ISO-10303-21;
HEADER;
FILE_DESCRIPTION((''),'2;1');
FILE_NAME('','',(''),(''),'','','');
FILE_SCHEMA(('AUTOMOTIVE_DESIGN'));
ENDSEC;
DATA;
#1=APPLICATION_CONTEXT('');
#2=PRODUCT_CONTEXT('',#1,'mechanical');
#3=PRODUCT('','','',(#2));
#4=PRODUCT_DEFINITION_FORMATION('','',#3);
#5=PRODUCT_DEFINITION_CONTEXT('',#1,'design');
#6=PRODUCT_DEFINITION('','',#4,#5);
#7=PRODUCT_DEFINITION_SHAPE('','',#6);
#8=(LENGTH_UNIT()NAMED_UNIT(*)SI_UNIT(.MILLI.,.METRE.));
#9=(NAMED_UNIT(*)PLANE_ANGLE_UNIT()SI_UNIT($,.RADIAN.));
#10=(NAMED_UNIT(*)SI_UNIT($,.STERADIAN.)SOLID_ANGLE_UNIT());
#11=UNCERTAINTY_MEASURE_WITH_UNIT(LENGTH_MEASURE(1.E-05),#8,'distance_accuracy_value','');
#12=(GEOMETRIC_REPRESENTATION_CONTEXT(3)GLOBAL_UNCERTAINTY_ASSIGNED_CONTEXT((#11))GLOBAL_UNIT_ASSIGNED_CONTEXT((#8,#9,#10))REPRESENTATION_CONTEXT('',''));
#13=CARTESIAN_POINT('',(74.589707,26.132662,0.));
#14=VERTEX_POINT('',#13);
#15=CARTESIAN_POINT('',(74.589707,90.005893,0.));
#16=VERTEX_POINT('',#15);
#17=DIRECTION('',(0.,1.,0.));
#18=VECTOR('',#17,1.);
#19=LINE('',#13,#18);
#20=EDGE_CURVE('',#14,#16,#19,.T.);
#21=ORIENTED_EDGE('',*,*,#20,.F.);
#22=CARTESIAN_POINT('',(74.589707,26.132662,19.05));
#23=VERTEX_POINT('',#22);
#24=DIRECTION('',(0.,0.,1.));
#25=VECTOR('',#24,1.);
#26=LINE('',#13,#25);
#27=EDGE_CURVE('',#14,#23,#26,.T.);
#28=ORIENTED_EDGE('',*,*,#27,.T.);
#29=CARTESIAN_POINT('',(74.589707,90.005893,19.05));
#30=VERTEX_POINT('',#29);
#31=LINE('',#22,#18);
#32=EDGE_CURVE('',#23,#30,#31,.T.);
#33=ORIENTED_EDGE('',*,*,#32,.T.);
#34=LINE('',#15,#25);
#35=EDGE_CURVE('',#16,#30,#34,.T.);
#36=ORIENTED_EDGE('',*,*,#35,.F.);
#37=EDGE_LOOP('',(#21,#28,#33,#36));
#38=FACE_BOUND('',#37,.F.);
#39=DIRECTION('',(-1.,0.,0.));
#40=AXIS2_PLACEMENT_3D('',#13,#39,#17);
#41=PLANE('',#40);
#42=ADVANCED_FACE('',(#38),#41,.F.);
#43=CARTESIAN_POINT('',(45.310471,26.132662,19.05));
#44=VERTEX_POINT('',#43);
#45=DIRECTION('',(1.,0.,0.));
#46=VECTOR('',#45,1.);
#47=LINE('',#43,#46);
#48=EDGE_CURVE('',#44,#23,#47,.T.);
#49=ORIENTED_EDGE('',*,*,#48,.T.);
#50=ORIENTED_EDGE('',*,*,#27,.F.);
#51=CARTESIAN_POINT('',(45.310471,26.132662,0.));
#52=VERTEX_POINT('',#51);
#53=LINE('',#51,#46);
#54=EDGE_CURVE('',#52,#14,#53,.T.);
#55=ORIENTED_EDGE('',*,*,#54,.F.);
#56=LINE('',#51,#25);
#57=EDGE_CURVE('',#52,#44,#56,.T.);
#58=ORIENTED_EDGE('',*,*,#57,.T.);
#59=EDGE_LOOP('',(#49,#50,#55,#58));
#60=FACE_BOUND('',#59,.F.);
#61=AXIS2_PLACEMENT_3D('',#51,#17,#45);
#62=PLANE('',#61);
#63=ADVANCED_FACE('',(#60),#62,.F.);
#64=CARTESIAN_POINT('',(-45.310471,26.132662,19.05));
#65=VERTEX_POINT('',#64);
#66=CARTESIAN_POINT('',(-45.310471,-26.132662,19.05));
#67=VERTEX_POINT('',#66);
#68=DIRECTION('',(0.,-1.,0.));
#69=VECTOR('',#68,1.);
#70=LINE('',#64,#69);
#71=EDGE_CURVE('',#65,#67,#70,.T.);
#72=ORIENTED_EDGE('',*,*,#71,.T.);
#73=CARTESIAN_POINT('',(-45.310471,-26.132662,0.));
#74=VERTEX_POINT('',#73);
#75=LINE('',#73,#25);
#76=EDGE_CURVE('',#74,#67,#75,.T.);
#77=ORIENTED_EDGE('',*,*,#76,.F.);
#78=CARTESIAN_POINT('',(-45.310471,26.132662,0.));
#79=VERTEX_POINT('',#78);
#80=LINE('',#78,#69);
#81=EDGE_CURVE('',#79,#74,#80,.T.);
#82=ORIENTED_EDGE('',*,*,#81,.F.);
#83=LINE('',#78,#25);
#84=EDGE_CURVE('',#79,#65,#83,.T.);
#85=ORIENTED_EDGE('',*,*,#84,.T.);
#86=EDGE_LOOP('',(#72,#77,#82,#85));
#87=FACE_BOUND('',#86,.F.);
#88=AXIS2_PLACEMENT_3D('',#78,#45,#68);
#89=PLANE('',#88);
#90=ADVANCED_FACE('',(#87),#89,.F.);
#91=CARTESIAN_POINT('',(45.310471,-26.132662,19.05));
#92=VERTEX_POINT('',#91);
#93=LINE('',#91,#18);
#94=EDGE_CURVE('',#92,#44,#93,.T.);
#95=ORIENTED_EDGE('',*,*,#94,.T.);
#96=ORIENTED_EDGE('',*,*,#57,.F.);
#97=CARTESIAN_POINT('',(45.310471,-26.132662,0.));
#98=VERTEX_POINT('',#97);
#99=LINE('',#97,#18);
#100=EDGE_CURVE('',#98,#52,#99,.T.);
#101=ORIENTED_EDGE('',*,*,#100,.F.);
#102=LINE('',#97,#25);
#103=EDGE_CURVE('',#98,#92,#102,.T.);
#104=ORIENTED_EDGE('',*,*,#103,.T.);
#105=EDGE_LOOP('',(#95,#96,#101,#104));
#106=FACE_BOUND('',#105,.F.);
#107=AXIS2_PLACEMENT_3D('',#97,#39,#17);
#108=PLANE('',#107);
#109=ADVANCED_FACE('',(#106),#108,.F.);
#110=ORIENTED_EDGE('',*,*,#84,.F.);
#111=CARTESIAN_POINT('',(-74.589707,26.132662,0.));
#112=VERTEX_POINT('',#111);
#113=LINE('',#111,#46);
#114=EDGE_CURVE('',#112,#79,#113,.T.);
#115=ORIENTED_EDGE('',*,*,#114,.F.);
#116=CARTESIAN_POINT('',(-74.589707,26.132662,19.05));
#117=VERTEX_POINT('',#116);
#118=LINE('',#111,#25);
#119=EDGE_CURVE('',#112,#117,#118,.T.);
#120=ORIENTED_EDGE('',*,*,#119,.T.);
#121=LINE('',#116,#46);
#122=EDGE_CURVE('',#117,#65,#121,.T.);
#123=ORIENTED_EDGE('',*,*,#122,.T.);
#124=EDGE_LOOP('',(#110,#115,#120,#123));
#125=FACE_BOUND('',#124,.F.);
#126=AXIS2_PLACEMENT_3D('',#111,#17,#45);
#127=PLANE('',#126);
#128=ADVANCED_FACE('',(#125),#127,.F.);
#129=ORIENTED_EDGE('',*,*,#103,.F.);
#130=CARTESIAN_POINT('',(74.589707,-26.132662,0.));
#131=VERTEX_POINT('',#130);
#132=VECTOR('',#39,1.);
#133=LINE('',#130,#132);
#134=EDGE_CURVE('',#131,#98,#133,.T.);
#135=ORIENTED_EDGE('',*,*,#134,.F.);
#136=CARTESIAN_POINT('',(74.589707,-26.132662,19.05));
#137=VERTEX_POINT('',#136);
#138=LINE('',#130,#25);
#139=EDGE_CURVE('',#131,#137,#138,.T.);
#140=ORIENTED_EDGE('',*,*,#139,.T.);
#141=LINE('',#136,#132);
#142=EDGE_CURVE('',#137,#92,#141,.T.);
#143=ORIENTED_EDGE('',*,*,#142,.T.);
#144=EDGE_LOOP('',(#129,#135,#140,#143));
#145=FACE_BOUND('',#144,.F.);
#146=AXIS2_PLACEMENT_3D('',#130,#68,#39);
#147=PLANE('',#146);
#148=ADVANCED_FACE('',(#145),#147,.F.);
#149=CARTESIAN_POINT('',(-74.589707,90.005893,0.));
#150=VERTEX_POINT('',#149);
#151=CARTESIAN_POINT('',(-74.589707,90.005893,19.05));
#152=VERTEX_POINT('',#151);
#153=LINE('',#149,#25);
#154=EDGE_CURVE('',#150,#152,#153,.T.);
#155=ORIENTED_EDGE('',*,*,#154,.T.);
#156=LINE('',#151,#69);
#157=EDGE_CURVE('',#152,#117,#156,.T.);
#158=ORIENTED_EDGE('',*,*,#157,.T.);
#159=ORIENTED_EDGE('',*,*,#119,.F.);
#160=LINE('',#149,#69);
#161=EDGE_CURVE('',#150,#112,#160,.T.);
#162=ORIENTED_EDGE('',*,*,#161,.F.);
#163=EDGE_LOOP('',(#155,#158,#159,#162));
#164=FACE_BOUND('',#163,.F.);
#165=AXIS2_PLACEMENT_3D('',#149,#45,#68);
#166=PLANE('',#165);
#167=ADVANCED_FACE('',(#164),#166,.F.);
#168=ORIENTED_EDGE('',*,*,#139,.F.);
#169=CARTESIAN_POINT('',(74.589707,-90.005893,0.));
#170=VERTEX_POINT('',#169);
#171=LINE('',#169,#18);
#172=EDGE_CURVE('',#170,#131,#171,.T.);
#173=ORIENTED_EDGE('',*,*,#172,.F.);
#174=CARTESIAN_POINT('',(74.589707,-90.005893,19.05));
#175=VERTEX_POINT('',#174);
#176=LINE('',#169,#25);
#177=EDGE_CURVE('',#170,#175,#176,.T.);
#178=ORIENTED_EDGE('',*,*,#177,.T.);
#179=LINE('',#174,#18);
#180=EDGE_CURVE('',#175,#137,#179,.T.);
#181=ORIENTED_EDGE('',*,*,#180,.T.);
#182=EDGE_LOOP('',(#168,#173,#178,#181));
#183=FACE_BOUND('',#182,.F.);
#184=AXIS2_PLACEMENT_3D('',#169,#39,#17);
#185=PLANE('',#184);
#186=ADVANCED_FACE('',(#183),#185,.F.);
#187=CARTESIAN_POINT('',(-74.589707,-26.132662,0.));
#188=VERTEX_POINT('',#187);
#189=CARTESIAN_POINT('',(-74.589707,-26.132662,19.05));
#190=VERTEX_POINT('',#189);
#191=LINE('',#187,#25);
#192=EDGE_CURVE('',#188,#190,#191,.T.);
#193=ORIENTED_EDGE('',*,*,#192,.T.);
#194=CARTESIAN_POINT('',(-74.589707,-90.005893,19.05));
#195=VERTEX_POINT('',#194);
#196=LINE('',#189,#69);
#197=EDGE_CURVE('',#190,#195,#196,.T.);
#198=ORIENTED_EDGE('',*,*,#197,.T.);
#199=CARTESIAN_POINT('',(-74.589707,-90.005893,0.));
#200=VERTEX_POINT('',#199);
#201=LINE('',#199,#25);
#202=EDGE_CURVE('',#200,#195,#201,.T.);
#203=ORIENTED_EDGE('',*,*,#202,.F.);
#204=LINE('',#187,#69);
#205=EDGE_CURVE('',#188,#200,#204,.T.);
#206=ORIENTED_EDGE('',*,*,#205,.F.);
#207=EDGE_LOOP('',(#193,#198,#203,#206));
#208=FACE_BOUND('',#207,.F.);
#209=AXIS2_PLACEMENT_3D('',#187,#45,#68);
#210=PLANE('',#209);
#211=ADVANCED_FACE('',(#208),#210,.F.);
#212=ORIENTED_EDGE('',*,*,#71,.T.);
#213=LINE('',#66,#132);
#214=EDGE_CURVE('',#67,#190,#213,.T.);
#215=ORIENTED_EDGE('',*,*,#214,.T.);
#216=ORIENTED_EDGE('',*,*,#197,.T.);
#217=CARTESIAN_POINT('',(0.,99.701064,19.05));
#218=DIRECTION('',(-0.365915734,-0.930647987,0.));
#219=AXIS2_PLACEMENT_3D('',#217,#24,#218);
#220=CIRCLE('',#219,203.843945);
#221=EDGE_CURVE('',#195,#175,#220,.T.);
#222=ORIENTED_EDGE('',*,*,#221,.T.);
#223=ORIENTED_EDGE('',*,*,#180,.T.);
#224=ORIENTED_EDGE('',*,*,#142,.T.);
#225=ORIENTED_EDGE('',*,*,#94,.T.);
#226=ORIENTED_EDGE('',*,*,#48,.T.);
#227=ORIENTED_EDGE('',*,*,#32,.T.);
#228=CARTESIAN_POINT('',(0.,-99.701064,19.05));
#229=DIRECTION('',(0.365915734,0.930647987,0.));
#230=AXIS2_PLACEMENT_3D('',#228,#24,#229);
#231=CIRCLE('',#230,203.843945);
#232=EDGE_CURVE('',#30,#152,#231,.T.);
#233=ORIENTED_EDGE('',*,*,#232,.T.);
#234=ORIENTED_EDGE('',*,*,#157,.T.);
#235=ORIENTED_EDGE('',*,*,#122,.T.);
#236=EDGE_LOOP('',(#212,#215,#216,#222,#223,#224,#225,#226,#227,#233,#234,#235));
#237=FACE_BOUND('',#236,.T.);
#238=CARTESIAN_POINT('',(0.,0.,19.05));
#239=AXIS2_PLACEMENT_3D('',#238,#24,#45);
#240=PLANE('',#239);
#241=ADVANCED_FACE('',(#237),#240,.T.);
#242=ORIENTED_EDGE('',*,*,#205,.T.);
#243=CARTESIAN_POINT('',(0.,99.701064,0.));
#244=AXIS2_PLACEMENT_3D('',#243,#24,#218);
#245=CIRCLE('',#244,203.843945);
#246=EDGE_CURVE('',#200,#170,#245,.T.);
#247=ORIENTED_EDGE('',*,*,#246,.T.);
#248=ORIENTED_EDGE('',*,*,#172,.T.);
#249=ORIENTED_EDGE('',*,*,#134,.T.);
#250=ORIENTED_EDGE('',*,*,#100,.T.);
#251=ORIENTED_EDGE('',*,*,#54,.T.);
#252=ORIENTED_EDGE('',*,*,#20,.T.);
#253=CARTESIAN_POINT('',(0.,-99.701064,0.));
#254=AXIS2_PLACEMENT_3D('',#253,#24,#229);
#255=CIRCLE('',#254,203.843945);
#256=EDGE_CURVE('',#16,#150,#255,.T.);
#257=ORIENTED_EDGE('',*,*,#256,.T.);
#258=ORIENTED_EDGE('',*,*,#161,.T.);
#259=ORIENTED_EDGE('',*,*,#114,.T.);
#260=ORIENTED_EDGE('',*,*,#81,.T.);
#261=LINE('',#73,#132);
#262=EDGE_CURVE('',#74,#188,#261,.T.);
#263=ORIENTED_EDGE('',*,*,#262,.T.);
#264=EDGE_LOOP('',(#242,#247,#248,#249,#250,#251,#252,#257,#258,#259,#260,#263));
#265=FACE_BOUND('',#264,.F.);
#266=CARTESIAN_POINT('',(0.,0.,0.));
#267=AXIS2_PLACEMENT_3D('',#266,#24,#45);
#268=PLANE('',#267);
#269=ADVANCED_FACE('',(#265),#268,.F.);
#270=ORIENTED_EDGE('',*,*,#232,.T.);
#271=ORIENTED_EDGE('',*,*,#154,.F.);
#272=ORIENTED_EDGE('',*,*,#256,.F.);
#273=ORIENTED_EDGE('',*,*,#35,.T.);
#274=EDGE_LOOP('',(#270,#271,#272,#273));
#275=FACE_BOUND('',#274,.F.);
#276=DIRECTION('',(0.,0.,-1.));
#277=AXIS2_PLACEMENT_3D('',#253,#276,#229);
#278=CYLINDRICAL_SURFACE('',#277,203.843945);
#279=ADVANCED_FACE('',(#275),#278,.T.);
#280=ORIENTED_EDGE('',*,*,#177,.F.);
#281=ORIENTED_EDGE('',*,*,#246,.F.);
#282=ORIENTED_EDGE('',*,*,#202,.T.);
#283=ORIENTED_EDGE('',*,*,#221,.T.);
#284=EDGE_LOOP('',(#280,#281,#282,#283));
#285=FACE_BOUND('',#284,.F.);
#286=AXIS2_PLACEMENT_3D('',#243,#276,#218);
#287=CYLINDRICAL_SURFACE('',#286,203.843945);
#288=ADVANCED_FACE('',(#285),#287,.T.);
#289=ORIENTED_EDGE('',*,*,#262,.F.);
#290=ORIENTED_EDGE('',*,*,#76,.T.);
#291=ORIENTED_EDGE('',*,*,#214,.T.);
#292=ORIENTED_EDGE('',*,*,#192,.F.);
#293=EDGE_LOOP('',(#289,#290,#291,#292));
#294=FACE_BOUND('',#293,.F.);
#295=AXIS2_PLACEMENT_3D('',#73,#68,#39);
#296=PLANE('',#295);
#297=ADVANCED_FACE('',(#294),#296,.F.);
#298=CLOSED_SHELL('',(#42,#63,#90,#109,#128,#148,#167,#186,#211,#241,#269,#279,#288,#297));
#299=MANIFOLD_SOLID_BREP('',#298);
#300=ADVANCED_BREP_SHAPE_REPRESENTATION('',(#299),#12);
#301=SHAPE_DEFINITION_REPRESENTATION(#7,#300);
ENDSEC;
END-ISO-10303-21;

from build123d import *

# Parameters (mm, degrees)
F1_DEPTH = 19.05


with BuildPart() as f1:
    # F0 (on Top) → F1 (new body)
    with BuildSketch(Plane.XY):
        with BuildLine():
            Line((74.589707, 26.132662), (74.589707, 90.005893))
            ThreePointArc((74.589707, 90.005893), (0, 104.142881), (-74.589707, 90.005893))
            Line((-74.589707, 90.005893), (-74.589707, 26.132662))
            Line((-74.589707, 26.132662), (-45.310471, 26.132662))
            Line((-45.310471, 26.132662), (-45.310471, -26.132662))
            Line((-45.310471, -26.132662), (-74.589707, -26.132662))
            Line((-74.589707, -26.132662), (-74.589707, -90.005893))
            ThreePointArc((-74.589707, -90.005893), (0, -104.142881), (74.589707, -90.005893))
            Line((74.589707, -90.005893), (74.589707, -26.132662))
            Line((74.589707, -26.132662), (45.310471, -26.132662))
            Line((45.310471, -26.132662), (45.310471, 26.132662))
            Line((45.310471, 26.132662), (74.589707, 26.132662))
        make_face()
    extrude(amount=F1_DEPTH)


solid = f1.part
